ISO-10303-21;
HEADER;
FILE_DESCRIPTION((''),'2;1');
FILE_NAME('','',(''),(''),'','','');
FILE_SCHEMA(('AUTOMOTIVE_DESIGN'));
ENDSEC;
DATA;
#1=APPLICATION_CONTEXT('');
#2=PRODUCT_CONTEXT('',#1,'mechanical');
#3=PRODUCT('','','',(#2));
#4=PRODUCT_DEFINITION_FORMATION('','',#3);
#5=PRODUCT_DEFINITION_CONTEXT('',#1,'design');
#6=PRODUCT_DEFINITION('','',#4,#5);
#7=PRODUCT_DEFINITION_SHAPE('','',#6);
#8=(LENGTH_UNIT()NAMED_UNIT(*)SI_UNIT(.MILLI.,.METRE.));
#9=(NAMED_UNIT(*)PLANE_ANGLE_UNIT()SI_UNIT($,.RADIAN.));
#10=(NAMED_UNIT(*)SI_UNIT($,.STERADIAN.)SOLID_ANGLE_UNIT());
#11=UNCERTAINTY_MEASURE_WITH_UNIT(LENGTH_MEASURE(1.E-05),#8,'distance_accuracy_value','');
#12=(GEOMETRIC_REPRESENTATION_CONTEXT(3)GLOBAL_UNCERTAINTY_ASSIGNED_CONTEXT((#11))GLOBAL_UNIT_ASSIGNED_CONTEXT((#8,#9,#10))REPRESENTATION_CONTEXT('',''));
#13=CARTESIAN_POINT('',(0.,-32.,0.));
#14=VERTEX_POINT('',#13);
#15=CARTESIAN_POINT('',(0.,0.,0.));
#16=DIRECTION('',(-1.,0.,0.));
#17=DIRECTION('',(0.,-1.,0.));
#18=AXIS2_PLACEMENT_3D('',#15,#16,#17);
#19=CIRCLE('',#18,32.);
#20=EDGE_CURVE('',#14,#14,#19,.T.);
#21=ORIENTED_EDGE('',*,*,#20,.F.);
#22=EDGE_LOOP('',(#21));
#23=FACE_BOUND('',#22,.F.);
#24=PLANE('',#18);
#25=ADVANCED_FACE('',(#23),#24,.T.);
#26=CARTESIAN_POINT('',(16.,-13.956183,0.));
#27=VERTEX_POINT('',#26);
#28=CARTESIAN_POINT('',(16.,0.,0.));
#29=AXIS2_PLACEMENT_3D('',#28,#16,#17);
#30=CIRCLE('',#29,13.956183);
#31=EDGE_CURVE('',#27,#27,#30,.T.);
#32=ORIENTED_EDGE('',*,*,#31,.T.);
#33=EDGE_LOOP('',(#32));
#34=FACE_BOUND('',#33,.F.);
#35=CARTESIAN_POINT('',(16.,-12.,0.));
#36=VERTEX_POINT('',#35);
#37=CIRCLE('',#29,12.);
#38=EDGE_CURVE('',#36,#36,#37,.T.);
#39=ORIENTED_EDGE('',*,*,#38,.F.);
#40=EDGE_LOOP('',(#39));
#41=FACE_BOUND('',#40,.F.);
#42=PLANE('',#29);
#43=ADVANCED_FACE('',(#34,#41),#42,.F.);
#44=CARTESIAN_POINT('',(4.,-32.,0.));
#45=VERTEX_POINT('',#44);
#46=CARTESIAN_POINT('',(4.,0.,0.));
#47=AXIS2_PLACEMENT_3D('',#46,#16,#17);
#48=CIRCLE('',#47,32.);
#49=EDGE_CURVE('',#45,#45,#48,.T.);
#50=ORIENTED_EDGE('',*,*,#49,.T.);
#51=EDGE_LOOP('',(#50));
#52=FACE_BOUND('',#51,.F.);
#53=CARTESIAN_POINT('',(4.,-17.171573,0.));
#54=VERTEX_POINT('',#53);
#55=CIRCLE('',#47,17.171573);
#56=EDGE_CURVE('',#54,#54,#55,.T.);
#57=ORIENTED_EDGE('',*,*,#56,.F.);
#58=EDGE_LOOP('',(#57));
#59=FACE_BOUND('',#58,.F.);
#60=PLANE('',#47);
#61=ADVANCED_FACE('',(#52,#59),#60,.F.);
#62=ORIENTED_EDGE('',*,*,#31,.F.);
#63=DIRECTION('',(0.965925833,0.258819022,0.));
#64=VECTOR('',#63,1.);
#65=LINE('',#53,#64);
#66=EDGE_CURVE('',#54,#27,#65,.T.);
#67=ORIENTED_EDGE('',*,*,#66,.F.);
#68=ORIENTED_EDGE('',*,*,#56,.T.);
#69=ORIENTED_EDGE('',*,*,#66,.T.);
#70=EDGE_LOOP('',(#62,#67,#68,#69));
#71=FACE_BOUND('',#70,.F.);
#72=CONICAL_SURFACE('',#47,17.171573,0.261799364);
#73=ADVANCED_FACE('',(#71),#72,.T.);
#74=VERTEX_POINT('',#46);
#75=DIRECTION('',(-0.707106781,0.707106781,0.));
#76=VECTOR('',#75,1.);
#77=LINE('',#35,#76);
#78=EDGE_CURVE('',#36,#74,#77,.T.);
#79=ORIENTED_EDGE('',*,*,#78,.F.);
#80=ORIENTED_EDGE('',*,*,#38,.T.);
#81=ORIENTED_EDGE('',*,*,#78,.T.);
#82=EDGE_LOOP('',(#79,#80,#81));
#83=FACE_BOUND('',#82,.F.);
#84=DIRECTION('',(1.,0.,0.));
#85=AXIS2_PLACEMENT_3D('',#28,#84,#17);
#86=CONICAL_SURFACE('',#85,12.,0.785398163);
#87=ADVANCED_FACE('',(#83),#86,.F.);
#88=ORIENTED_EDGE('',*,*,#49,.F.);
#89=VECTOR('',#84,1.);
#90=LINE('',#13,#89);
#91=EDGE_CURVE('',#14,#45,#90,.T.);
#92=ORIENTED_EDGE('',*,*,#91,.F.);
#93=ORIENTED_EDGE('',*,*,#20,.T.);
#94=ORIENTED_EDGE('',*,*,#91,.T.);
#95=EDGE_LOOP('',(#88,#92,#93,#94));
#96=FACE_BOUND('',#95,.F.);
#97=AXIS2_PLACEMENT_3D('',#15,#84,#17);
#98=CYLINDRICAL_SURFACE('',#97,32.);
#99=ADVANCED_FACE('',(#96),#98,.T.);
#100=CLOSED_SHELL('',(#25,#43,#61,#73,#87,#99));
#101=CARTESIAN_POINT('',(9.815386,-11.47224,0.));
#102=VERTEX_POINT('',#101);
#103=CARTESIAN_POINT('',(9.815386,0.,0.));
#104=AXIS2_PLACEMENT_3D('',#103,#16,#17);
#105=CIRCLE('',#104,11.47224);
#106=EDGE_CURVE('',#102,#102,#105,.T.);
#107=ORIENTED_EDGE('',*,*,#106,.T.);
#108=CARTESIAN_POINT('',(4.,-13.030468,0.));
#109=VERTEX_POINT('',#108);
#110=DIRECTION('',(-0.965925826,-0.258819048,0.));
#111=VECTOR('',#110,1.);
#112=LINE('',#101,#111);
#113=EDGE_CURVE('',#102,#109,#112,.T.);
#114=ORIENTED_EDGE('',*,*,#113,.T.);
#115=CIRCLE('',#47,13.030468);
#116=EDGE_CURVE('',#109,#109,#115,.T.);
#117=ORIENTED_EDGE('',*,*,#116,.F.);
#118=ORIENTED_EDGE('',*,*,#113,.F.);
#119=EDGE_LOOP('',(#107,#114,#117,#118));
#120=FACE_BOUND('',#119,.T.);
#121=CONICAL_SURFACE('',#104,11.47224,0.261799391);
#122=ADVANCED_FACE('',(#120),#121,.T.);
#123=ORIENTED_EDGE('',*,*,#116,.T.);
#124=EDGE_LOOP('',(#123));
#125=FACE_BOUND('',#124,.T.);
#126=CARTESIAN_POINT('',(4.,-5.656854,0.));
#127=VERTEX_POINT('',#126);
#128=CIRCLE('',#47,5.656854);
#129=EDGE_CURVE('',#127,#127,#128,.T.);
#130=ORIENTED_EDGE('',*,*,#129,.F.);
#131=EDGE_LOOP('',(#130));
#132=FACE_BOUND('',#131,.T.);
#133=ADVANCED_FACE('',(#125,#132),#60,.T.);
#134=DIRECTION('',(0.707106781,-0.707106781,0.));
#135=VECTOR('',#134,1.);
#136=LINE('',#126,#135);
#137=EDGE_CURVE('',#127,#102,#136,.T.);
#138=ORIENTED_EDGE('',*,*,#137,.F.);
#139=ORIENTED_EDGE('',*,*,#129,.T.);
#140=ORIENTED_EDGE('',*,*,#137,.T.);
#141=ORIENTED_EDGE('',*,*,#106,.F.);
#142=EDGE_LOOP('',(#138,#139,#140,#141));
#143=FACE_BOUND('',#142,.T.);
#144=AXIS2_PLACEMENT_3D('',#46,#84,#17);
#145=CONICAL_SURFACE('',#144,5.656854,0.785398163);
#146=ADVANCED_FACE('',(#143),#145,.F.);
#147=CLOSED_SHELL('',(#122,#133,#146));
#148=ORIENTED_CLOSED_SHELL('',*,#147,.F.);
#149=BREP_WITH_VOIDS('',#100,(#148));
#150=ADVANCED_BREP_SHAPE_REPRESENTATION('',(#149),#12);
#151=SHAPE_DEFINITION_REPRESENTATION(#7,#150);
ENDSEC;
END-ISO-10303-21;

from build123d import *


with BuildPart() as f1:
    # F0 (on Top) → F1 (revolve)
    with BuildSketch(Plane.XY):
        Polygon((4, 0), (0, 0), (0, -32), (4, -32), (4, -22.828427), (4, -17.171573), (16, -13.956183), (16, -12), align=None)
        Polygon((4, -13.030468), (4, -5.656854), (9.815386, -11.47224), align=None, mode=Mode.SUBTRACT)
    revolve(axis=Axis((2, 0, 0), (-1, 0, 0)))


solid = f1.part
